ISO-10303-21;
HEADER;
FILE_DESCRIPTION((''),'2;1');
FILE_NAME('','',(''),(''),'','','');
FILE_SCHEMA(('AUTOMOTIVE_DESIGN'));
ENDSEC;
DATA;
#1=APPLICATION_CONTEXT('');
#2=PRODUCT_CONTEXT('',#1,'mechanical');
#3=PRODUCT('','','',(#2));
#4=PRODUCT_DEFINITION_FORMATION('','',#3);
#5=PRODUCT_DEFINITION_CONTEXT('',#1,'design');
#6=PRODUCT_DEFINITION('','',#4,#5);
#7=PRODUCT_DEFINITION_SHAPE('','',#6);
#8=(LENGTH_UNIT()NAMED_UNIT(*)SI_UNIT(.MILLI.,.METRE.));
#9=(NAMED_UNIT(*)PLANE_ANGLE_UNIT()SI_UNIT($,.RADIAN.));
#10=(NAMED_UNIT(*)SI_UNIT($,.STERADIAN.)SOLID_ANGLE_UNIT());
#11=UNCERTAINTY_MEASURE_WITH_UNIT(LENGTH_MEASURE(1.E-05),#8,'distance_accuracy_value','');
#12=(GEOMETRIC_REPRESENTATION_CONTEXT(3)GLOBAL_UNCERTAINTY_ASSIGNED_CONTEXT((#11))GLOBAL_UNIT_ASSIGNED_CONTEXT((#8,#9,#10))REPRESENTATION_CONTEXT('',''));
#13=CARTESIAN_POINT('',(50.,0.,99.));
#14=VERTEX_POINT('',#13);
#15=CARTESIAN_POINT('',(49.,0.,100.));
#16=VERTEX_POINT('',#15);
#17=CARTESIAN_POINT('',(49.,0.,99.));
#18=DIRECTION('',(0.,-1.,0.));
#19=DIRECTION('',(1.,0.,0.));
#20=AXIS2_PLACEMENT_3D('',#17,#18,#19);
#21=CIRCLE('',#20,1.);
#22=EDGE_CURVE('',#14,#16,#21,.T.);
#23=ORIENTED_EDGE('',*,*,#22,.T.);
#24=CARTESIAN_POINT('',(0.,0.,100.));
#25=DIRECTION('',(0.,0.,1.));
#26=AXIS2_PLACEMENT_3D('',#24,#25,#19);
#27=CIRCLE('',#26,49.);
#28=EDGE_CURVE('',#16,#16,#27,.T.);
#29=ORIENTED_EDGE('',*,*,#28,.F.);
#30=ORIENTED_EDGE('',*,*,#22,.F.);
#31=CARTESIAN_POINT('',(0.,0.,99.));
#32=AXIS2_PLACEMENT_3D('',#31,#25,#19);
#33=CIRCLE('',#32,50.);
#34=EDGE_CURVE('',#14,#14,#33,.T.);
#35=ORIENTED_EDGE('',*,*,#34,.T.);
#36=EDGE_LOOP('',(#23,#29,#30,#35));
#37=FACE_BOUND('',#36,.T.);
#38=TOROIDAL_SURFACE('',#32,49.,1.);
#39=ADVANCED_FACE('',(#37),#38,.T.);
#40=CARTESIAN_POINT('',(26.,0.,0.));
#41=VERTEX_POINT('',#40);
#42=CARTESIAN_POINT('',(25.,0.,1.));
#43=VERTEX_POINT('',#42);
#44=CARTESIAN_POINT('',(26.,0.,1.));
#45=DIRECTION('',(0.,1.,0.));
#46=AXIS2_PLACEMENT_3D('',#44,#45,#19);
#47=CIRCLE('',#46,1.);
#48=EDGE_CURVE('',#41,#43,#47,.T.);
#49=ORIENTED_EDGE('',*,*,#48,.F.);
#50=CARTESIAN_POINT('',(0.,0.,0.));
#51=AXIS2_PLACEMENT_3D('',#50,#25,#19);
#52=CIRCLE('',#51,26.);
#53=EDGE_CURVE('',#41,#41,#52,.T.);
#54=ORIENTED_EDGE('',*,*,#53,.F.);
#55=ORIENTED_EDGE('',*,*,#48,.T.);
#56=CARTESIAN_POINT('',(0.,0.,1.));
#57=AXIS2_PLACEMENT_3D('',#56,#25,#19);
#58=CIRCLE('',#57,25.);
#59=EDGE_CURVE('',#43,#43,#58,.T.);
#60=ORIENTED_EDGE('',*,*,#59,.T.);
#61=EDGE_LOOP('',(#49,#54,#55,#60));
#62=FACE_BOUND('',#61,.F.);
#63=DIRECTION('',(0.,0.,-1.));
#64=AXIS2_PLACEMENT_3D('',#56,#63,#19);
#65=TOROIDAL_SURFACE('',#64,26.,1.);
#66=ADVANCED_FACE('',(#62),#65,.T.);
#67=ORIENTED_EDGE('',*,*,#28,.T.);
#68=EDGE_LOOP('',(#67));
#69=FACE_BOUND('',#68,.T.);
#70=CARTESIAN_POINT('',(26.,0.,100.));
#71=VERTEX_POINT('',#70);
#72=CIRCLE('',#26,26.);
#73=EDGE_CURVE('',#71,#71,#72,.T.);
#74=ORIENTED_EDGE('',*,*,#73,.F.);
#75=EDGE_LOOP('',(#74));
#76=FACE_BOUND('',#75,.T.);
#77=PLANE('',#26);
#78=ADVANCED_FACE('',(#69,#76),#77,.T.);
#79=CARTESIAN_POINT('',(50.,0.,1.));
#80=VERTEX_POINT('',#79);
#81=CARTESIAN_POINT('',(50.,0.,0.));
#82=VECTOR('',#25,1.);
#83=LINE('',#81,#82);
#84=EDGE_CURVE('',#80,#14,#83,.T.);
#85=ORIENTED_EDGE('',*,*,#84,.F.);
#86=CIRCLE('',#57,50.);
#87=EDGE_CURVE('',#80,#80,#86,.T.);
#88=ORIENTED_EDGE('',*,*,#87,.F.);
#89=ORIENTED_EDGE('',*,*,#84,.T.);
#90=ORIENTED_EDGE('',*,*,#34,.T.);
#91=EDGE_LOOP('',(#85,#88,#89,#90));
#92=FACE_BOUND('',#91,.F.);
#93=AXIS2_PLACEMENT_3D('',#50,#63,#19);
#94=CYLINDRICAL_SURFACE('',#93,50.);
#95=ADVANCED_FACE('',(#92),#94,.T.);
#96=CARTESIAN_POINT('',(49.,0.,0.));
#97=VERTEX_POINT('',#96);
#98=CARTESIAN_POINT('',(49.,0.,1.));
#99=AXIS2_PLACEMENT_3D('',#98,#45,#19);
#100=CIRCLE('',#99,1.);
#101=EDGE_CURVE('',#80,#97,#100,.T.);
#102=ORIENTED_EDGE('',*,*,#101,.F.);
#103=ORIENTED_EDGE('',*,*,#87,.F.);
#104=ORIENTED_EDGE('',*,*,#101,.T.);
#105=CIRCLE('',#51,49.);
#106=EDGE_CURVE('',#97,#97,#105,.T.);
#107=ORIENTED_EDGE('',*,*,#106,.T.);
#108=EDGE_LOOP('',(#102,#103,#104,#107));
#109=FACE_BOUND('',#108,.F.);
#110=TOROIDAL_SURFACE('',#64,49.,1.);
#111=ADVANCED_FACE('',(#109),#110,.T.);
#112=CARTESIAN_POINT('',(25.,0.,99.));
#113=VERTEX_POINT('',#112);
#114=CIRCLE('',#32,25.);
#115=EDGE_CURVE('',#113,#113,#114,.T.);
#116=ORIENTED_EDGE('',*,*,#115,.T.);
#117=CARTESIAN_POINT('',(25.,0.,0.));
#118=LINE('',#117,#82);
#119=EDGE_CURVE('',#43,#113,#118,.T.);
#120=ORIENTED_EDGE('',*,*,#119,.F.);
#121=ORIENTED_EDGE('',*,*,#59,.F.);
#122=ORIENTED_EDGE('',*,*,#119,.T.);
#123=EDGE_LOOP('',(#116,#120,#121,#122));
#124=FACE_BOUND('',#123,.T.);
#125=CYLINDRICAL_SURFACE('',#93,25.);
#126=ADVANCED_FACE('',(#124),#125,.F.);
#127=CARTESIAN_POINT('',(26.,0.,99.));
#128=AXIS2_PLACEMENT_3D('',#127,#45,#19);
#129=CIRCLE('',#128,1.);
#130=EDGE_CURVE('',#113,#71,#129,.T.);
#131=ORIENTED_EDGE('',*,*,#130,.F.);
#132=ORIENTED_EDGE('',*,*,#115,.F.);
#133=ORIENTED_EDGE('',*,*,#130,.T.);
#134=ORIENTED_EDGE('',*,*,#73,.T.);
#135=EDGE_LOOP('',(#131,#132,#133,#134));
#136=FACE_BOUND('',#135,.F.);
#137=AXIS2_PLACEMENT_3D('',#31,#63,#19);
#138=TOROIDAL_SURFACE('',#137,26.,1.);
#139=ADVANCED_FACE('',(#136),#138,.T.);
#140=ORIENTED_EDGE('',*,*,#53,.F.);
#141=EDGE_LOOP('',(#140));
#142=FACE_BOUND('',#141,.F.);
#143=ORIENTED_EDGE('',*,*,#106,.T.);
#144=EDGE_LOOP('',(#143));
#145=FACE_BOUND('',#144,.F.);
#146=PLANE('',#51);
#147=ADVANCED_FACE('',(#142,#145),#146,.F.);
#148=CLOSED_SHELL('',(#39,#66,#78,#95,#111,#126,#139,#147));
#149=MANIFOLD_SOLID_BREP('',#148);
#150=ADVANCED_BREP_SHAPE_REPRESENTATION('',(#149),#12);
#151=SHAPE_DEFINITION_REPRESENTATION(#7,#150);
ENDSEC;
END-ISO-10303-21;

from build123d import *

# Parameters (mm, degrees)
F0_R     = 50
F1_DEPTH = 100
F2_T     = -25
F3_R     = 1


with BuildPart() as f1:
    # F0 (on Top) → F1 (new body)
    with BuildSketch(Plane.XY):
        Circle(F0_R)
    extrude(amount=F1_DEPTH)

    # F2
    f2_openings = [f1.faces().sort_by_distance(p)[0] for p in [
        (0, 0, 100),
        (0, 0, 0),
    ]]
    offset(amount=F2_T, openings=f2_openings)

    # F3
    f3_edges = [f1.edges().sort_by_distance(p)[0] for p in [
        (-50, 0, 100),
        (-25, 0, 100),
        (-50, 0, 0),
        (-25, 0, 0),
    ]]
    fillet(f3_edges, radius=F3_R)


solid = f1.part
